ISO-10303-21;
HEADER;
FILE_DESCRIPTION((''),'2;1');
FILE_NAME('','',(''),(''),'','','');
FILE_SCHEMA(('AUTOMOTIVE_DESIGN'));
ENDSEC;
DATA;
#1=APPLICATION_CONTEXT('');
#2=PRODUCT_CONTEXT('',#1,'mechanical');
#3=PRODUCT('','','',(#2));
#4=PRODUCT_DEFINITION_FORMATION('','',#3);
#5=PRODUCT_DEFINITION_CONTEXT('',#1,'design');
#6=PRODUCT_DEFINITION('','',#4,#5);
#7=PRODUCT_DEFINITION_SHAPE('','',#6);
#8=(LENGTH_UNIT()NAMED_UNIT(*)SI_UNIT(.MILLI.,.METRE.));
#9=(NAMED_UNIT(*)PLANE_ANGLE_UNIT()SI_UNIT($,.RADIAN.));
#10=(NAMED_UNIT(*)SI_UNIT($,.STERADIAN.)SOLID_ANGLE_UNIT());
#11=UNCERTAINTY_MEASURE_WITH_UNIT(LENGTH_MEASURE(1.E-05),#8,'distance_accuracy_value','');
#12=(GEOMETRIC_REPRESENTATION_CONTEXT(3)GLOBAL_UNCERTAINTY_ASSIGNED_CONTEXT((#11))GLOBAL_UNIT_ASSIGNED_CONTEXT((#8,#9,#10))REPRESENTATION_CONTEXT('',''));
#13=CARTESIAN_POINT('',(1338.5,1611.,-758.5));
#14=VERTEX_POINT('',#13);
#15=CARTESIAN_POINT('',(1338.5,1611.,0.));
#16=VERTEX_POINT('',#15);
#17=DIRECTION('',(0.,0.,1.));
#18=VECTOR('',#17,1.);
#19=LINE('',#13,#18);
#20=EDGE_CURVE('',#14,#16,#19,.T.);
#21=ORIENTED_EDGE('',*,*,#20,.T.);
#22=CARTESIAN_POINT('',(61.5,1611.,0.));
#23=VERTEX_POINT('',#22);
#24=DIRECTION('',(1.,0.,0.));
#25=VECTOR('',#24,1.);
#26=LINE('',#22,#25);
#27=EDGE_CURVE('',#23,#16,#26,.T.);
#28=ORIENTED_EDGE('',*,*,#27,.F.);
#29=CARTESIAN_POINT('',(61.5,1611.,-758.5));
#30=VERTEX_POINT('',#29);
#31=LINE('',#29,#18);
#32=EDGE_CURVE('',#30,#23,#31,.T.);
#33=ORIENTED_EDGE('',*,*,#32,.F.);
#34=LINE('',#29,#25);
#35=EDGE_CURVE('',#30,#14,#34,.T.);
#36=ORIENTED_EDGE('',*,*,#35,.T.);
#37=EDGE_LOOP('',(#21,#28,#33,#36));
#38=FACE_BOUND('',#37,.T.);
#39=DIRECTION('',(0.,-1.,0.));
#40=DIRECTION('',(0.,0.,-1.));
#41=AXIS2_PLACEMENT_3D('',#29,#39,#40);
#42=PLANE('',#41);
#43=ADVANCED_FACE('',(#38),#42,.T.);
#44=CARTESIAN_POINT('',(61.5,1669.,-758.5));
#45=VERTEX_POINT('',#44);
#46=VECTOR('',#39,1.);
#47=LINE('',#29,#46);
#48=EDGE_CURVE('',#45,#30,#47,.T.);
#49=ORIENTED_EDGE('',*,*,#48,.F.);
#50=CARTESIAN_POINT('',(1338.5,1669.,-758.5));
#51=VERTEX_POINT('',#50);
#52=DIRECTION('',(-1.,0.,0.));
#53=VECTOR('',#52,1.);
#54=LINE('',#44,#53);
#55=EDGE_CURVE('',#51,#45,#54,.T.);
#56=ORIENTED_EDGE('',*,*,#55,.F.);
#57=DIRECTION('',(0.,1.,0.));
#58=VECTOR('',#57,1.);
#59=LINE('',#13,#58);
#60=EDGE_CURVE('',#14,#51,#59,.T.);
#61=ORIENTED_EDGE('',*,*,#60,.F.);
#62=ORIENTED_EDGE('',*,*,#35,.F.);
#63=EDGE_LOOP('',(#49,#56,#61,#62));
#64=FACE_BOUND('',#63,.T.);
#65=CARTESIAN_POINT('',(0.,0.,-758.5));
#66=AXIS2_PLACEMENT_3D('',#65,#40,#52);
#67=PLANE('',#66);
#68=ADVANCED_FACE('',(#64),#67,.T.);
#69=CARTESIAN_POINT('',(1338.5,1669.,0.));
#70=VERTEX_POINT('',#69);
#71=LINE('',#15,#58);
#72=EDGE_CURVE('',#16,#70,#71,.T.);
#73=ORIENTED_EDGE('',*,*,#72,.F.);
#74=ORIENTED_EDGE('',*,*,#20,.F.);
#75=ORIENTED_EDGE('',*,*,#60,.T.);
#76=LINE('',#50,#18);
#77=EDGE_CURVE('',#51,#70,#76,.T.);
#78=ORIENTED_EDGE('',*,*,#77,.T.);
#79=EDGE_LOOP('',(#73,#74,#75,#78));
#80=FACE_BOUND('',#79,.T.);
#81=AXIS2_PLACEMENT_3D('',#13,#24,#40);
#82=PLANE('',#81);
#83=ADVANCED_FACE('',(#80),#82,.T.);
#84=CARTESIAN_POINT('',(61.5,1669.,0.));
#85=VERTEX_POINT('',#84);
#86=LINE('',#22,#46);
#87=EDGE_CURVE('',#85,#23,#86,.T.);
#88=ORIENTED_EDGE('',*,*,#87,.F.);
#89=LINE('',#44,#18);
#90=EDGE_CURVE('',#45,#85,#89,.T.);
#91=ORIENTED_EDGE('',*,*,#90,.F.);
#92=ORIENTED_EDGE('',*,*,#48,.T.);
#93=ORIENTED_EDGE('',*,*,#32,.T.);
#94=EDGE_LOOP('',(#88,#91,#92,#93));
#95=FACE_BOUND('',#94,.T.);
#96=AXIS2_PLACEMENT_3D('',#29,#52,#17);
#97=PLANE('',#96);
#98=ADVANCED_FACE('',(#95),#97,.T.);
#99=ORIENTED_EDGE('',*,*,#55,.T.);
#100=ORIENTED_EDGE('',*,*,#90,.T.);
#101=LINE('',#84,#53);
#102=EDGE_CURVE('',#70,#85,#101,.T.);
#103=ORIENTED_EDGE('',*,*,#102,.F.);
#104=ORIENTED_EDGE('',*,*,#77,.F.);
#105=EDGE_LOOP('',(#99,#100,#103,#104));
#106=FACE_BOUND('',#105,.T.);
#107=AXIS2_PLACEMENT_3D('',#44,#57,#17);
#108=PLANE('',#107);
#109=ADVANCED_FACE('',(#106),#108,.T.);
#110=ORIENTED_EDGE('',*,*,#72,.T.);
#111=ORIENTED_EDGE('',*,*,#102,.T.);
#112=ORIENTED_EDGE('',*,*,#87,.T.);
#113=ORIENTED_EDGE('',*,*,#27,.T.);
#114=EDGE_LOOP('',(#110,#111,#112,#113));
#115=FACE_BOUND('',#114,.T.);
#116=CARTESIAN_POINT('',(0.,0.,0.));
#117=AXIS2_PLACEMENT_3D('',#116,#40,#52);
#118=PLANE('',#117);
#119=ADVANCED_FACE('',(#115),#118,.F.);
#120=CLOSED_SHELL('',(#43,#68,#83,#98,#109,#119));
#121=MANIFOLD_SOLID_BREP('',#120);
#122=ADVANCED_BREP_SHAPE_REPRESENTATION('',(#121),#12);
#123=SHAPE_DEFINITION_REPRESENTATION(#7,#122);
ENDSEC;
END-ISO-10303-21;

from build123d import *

# Parameters (mm, degrees)
SKETCH1_W              = 1277
SKETCH1_H              = 58
STORE_PU_TAVAN_1_DEPTH = 758.5


with BuildPart() as part:
    # Sketch1 → STORE_pu_tavan_1 (new body)
    with BuildSketch(Plane.XY):
        with Locations((700, 1640)):
            Rectangle(SKETCH1_W, SKETCH1_H)
    extrude(amount=-STORE_PU_TAVAN_1_DEPTH)


solid = part.part
